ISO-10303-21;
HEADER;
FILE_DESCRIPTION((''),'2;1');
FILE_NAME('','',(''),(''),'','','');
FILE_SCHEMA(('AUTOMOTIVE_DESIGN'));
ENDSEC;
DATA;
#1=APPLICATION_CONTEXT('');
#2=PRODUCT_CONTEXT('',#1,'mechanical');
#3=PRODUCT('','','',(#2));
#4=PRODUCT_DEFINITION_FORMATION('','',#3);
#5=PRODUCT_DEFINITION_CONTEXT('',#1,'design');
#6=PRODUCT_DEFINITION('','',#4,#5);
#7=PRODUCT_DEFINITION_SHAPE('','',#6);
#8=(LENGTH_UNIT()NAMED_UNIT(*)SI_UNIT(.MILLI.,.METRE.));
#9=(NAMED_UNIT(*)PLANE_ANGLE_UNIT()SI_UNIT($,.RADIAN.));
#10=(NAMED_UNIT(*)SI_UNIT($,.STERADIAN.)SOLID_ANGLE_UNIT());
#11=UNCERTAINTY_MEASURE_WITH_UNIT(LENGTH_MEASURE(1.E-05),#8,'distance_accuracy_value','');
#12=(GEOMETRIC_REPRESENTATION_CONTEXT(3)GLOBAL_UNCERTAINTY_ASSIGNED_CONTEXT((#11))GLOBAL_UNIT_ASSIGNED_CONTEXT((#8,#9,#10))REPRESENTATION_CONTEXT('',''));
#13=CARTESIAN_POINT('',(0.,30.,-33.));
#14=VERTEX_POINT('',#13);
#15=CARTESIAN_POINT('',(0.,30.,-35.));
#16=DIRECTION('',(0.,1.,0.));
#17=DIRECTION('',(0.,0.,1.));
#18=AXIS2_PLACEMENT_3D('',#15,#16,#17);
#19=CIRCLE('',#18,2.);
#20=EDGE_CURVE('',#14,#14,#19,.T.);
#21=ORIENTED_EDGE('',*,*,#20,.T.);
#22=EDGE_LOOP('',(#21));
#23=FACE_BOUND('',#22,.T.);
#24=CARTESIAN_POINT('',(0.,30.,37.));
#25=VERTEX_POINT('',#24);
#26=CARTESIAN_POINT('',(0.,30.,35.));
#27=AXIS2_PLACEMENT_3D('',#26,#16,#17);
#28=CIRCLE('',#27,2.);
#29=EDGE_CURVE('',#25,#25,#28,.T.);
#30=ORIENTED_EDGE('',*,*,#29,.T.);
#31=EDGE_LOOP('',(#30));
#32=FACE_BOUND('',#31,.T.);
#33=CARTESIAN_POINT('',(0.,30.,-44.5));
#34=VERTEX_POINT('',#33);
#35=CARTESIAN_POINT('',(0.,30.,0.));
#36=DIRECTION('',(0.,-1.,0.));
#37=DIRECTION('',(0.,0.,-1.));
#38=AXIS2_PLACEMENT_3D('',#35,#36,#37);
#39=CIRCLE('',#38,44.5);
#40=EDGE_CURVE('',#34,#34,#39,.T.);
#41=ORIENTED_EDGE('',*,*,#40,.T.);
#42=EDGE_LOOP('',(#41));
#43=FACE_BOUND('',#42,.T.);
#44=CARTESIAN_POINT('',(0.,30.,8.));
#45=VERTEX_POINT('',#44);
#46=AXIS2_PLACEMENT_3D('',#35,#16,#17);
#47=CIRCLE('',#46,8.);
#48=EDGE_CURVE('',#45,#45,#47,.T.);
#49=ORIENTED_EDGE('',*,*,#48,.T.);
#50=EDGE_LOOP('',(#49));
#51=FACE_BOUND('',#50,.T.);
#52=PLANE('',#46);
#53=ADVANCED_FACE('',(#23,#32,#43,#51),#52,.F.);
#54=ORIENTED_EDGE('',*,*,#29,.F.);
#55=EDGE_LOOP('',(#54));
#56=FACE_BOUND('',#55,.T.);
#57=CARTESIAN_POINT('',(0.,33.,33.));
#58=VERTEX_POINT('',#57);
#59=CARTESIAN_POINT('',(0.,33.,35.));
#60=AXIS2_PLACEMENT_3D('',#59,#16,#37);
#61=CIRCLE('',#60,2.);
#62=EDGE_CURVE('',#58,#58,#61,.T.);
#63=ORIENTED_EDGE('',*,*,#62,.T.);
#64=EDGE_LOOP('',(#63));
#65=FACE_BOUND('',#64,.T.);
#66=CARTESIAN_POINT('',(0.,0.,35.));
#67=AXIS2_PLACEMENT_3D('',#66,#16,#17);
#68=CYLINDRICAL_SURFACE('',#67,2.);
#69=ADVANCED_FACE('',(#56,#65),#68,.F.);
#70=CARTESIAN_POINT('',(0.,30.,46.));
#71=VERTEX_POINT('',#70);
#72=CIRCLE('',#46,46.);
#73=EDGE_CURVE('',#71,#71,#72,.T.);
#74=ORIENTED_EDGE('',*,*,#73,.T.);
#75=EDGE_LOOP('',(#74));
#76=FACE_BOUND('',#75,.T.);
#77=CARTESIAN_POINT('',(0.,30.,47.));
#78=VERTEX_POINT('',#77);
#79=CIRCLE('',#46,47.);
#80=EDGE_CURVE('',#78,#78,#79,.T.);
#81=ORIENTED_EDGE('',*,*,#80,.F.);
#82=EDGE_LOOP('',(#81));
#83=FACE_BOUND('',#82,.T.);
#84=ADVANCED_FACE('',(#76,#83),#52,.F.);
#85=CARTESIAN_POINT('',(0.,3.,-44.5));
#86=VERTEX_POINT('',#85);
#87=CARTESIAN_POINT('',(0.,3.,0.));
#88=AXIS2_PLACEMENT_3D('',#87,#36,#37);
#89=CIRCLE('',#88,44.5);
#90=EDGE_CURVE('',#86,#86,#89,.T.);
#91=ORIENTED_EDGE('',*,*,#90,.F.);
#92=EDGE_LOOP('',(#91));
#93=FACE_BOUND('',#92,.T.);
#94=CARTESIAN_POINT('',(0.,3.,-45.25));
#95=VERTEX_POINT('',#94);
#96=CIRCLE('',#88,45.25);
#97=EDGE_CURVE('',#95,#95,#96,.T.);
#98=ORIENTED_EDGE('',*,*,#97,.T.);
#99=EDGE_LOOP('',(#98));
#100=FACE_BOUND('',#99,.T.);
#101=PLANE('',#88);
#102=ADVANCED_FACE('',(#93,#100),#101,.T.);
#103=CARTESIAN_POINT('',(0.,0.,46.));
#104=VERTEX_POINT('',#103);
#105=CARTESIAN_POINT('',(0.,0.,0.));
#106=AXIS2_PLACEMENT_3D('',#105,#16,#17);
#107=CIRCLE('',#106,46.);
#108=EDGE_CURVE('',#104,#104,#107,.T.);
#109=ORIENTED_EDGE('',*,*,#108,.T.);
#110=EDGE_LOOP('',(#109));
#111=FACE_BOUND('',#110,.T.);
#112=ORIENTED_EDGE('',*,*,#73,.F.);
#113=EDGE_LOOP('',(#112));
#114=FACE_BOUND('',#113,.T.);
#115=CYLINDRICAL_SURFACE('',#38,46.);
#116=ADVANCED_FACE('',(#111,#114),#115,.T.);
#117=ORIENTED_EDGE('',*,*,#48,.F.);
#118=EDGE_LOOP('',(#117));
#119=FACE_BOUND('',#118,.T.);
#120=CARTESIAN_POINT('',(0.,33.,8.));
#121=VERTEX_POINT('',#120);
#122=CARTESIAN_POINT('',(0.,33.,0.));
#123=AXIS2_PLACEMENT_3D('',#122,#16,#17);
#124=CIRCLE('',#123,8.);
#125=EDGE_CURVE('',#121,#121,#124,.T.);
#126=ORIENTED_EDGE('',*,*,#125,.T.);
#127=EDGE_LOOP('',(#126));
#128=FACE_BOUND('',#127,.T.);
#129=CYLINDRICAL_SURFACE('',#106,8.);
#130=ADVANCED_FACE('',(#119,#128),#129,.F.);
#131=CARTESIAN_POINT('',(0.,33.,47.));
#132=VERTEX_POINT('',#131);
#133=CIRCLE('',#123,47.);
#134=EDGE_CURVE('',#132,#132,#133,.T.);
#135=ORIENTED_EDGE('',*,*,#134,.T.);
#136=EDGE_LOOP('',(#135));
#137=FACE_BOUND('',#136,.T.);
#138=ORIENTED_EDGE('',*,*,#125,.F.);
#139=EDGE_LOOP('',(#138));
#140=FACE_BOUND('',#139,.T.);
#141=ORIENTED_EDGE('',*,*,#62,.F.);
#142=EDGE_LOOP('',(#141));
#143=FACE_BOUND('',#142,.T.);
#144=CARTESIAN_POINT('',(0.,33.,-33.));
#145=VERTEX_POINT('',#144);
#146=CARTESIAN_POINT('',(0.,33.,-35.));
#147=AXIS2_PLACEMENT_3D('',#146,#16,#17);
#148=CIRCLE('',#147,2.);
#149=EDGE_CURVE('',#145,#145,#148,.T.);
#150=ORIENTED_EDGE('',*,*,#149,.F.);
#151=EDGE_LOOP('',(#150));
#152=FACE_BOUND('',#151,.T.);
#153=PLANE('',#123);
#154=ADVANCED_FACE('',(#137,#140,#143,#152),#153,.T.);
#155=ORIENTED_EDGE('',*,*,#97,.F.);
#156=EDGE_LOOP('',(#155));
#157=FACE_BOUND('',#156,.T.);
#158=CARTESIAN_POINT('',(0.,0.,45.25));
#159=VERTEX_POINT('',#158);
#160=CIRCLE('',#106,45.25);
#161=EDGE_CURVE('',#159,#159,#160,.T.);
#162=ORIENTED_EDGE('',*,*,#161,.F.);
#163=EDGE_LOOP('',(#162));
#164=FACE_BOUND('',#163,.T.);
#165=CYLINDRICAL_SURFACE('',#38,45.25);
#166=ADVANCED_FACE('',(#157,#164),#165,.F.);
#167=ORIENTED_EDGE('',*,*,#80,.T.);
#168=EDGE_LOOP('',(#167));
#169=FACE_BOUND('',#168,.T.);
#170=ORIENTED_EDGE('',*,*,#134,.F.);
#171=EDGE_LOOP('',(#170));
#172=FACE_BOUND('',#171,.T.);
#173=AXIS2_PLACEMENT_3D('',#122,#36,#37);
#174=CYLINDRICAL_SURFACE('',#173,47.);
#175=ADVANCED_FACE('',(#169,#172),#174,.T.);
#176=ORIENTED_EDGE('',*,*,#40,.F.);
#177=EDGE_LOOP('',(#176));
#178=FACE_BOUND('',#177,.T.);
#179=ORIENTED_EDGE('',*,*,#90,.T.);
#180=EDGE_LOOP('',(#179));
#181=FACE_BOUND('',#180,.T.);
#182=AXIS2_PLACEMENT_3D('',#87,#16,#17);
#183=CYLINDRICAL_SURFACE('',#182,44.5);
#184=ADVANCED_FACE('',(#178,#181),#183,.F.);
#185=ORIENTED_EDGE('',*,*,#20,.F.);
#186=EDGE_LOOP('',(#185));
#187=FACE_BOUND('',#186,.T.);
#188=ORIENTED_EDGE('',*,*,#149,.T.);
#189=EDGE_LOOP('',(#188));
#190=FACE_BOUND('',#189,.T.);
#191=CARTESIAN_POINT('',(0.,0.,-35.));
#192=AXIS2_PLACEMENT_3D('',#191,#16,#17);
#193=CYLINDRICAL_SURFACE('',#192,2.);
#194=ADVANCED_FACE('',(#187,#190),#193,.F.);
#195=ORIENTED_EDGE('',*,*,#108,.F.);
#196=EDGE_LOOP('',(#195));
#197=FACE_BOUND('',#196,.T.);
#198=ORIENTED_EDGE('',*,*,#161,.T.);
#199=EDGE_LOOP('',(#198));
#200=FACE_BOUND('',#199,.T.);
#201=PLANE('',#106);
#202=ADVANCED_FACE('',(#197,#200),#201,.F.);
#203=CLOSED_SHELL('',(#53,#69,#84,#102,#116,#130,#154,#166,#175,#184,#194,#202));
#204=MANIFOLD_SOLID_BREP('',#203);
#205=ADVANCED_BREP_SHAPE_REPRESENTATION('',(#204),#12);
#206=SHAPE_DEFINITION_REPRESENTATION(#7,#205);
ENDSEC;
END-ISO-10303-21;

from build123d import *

# Parameters (mm, degrees)
SKETCH1_R           = 46
SKETCH1_R_2         = 45.25
BOSS_EXTRUDE1_DEPTH = 30
SKETCH3_R           = 47
BOSS_EXTRUDE2_DEPTH = 3
SKETCH4_R           = 2
SKETCH4_R_2         = 8
CUT_EXTRUDE1_DEPTH  = 75.209163855
BOSS_EXTRUDE3_START = 27
SKETCH5_R           = 45.25
SKETCH5_R_2         = 44.5
BOSS_EXTRUDE3_DEPTH = 27


with BuildPart() as part:
    # Sketch1 → Boss-Extrude1 (new body)
    with BuildSketch(Plane(origin=(0, 0, 0), x_dir=(1, 0, 0), z_dir=(0, 1, 0))):
        with Locations(Location((0, 0, 0), (0, 0, 270))):
            Circle(SKETCH1_R)
        with Locations(Location((0, 0, 0), (0, 0, 270))):
            Circle(SKETCH1_R_2, mode=Mode.SUBTRACT)
    extrude(amount=BOSS_EXTRUDE1_DEPTH)

    # Sketch3 → Boss-Extrude2 (add)
    with BuildSketch(Plane(origin=(0, 30, 0), x_dir=(1, 0, 0), z_dir=(0, 1, 0))):
        with Locations(Location((0, 0, 0), (0, 0, 270))):
            Circle(SKETCH3_R)
    extrude(amount=BOSS_EXTRUDE2_DEPTH)

    # Sketch4 → Cut-Extrude1 (cut, through all)
    with BuildSketch(Plane(origin=(0, 33, 0), x_dir=(1, 0, 0), z_dir=(0, 1, 0))):
        with Locations(Location((0, 35, 0), (0, 0, 270))):
            Circle(SKETCH4_R)
        with Locations(Location((0, -35, 0), (0, 0, 270))):
            Circle(SKETCH4_R)
        with Locations(Location((0, 0, 0), (0, 0, 270))):
            Circle(SKETCH4_R_2)
    extrude(amount=-CUT_EXTRUDE1_DEPTH, mode=Mode.SUBTRACT)

    # Sketch5 → Boss-Extrude3 (add)
    with BuildSketch(Plane.XZ.offset(-30).offset(BOSS_EXTRUDE3_START)):
        with Locations(Location((0, 0, 0), (0, 0, 270))):
            Circle(SKETCH5_R)
        with Locations(Location((0, 0, 0), (0, 0, 270))):
            Circle(SKETCH5_R_2, mode=Mode.SUBTRACT)
    extrude(amount=-BOSS_EXTRUDE3_DEPTH)


solid = part.part
